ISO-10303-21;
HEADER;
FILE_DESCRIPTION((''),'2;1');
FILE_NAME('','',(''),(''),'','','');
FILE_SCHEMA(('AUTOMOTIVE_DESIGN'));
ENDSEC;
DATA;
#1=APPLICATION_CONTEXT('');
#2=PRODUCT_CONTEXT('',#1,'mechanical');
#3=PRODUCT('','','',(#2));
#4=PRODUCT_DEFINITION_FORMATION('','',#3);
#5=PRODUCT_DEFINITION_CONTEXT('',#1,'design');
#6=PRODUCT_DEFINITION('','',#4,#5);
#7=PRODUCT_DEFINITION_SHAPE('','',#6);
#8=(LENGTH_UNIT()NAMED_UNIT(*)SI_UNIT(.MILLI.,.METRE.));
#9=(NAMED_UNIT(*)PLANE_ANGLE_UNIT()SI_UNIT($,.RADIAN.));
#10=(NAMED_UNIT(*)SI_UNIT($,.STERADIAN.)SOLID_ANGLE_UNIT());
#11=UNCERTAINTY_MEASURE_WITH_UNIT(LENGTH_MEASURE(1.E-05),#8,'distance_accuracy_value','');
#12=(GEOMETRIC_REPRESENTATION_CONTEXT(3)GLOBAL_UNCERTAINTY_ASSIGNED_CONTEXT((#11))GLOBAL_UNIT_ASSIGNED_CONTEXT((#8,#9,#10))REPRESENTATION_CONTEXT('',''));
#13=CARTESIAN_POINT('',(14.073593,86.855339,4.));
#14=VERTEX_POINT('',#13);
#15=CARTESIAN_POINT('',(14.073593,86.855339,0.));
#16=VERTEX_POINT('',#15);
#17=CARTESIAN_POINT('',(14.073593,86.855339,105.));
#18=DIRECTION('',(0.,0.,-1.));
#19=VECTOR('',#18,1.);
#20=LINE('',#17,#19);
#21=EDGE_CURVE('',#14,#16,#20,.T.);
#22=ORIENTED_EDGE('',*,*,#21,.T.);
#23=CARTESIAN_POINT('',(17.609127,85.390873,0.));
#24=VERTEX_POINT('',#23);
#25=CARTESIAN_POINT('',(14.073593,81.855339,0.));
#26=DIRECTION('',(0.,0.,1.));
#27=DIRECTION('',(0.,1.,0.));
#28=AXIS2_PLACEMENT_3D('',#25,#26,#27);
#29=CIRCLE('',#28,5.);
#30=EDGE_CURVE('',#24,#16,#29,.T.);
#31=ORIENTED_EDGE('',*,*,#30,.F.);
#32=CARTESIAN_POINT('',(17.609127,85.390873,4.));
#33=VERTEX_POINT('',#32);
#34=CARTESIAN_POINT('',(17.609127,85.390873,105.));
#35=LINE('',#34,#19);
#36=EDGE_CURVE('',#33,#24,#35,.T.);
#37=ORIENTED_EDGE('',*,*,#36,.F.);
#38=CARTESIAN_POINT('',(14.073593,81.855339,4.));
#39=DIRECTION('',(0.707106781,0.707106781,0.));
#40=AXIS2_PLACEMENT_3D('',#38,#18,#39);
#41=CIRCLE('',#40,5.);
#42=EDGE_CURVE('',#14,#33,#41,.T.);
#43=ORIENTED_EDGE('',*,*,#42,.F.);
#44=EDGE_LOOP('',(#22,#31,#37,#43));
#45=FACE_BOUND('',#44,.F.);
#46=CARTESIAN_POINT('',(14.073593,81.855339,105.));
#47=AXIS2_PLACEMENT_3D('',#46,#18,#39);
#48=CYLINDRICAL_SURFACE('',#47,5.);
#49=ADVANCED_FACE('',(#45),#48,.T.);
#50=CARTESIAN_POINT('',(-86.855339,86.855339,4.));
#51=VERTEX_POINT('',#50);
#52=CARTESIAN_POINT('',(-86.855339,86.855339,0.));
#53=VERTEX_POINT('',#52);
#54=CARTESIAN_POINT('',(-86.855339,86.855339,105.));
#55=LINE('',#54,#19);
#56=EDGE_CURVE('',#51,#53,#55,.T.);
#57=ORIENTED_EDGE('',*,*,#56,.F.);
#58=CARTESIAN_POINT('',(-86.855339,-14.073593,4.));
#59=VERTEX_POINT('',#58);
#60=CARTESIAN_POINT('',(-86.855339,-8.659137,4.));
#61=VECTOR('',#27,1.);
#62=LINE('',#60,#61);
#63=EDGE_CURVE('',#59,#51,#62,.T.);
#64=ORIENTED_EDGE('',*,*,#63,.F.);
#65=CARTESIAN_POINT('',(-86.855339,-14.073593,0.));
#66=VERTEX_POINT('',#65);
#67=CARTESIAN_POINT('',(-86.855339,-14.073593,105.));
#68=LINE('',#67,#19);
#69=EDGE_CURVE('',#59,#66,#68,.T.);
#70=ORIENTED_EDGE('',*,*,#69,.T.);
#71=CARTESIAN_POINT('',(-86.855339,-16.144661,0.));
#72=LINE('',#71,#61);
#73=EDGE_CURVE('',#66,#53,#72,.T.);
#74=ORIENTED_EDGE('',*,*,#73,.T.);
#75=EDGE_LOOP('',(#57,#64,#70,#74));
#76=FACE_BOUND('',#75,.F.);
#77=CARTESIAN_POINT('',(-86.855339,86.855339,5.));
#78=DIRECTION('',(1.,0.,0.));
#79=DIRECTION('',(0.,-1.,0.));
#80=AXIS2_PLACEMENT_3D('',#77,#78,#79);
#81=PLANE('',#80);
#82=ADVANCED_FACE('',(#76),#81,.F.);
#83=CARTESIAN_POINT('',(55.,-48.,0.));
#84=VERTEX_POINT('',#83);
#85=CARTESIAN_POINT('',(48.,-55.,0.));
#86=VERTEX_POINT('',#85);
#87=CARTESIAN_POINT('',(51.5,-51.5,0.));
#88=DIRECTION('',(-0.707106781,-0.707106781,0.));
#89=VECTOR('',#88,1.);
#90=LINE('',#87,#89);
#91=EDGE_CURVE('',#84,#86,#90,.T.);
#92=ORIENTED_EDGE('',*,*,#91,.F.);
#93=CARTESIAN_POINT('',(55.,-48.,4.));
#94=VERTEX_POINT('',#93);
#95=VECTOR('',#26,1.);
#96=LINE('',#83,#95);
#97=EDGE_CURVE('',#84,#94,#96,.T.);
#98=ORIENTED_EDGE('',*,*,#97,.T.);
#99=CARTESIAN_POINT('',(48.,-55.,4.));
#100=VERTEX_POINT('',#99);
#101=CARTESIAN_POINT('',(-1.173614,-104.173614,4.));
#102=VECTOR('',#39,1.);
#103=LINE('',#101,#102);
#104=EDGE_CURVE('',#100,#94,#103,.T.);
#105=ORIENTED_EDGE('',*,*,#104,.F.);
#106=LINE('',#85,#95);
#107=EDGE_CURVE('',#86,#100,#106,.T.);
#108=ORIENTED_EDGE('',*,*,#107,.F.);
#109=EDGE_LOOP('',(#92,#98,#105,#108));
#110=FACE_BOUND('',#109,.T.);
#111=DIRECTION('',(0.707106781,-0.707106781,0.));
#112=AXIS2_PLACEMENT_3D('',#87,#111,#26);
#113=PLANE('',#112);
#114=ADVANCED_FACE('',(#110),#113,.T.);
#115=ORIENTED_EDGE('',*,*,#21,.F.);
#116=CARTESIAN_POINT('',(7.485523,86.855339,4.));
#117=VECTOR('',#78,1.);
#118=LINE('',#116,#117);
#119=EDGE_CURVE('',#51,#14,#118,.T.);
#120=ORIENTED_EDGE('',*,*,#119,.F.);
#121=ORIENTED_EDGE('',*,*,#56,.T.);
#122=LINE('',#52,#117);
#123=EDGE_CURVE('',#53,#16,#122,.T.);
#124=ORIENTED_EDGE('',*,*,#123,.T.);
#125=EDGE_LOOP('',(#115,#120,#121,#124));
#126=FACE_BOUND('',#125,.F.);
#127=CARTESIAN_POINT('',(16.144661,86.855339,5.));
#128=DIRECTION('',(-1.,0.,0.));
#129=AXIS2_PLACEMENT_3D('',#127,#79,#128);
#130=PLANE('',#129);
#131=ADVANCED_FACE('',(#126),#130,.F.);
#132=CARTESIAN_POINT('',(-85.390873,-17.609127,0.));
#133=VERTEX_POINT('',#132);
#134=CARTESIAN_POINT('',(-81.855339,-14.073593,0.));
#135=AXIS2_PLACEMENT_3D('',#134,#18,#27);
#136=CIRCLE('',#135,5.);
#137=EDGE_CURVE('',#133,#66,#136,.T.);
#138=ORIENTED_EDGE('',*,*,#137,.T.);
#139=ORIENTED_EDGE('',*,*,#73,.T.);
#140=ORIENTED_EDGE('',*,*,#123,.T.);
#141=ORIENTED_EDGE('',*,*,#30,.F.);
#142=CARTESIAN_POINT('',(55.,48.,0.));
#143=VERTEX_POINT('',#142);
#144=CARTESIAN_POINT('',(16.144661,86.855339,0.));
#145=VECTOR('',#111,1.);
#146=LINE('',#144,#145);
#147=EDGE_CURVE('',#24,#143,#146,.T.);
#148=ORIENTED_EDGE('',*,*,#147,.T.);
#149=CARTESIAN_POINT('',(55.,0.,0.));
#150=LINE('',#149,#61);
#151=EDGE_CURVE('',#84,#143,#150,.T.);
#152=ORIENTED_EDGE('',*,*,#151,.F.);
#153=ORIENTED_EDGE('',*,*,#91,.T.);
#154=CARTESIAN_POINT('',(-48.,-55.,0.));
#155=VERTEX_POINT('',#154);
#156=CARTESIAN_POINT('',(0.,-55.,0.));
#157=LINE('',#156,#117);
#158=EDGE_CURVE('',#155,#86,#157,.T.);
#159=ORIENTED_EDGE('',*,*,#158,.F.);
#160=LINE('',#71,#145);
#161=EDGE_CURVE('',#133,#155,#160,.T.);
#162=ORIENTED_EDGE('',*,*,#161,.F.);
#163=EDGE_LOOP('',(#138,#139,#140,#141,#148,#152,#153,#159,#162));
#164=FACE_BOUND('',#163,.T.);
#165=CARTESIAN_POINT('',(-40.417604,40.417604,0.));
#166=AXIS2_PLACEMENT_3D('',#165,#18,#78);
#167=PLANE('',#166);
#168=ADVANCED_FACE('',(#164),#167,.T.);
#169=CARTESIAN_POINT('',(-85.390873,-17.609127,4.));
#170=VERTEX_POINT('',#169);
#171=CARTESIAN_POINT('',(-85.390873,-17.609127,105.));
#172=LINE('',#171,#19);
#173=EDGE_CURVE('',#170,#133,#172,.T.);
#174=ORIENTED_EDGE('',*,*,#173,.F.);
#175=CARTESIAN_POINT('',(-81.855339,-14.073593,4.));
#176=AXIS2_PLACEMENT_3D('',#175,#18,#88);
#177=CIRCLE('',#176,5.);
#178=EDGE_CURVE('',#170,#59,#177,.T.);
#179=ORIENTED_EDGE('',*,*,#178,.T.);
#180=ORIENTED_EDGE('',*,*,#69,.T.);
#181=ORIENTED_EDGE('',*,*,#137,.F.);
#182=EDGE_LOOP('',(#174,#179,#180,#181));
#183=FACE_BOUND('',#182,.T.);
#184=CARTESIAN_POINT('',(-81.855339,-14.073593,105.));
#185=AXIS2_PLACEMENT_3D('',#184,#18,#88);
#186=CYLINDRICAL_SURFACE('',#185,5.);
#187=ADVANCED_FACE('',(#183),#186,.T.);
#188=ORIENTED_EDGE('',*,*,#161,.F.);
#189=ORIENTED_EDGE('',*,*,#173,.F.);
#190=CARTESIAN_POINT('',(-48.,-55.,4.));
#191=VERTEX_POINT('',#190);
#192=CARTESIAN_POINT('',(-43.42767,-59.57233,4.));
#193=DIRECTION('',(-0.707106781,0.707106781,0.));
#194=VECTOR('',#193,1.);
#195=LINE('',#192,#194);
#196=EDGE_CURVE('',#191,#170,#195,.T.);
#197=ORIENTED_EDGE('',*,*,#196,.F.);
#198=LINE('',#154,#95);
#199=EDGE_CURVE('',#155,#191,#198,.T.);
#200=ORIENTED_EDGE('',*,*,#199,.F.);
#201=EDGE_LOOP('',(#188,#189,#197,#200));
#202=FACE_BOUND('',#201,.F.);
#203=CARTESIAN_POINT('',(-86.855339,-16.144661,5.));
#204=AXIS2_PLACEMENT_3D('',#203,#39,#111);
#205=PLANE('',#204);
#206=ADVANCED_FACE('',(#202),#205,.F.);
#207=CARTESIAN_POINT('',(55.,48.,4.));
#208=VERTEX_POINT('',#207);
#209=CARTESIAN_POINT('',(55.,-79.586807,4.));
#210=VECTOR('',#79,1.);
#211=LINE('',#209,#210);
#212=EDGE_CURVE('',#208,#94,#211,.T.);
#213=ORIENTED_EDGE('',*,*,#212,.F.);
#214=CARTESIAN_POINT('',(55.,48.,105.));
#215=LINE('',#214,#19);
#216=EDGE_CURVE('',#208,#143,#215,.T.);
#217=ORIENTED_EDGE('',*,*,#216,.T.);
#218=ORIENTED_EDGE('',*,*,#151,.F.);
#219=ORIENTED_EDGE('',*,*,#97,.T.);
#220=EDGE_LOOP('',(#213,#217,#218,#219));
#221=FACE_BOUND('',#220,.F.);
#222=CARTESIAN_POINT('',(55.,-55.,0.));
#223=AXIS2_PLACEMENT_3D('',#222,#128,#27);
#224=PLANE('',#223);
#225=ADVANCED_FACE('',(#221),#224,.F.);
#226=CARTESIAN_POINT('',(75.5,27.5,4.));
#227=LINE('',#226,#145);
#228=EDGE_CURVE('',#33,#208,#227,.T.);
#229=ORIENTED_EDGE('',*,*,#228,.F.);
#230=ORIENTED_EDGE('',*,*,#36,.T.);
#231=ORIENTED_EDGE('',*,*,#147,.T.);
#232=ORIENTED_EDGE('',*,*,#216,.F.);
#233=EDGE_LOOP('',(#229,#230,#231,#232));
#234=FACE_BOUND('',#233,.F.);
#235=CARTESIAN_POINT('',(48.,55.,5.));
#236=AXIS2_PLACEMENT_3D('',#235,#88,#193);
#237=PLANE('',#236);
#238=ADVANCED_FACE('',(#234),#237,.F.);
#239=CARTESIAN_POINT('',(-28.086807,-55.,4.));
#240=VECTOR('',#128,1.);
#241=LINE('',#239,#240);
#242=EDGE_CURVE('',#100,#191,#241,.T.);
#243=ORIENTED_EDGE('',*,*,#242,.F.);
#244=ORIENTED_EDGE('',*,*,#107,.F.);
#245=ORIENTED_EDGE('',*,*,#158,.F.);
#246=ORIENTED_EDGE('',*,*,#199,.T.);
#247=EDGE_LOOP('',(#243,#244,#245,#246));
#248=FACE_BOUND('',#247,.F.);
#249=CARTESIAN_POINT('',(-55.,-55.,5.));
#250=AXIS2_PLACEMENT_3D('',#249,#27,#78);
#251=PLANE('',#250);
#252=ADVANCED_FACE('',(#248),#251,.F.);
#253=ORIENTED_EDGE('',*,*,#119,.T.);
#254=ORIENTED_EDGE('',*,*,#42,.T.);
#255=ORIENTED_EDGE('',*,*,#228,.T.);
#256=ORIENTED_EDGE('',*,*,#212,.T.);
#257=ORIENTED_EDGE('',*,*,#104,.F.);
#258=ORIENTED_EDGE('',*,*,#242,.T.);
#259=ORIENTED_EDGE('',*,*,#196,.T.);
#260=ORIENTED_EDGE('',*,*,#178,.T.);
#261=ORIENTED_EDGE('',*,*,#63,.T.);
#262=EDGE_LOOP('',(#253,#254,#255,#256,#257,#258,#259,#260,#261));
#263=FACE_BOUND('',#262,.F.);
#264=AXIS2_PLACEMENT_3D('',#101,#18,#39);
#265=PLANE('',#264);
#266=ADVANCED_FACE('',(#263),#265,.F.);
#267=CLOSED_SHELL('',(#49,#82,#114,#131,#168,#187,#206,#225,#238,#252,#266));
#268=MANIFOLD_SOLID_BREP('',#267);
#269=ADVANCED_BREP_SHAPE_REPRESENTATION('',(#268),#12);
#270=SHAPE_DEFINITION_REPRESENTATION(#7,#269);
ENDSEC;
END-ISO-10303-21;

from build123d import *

# Parameters (mm, degrees)
F0_W      = 110
F0_H      = 110
F1_DEPTH  = 5
F3_DEPTH  = 100
F4_SIZE   = 7
F6_DEPTH  = 5
F8_DEPTH  = 100
F9_R      = 3
F10_R     = 3
F11_R     = 5
F12_R     = 40
F13_DEPTH = 2
F14_R     = 40
F15_DEPTH = 2
F17_DEPTH = 200


with BuildPart() as f1:
    # F0 (on Top) → F1 (new body)
    with BuildSketch(Plane.XY):
        Rectangle(F0_W, F0_H)
    extrude(amount=F1_DEPTH)

    # F2 (on face) → F3 (join)
    with BuildSketch(Plane.XY.offset(5)):
        Polygon((-55, -45), (-55, -55), (-45, -55), (-45, -50), (-50, -50), (-50, -45), align=None)
        Polygon((45, -50), (45, -55), (55, -55), (55, -45), (50, -45), (50, -50), align=None)
        Polygon((50, 45), (55, 45), (55, 55), (45, 55), (45, 50), (50, 50), align=None)
        Polygon((-55, 45), (-50, 45), (-50, 50), (-45, 50), (-45, 55), (-55, 55), align=None)
    extrude(amount=F3_DEPTH)

    # F4
    f4_edges = [f1.edges().sort_by_distance(p)[0] for p in [
        (55, -55, 52.5),
        (55, 55, 52.5),
        (-55, -55, 52.5),
        (-55, 55, 52.5),
    ]]
    chamfer(f4_edges, length=F4_SIZE)

    # F5 (on face) → F6 (join)
    with BuildSketch(Plane(origin=(0, 0, 0), x_dir=(1, 0, 0), z_dir=(0, 0, -1))):
        Polygon((-55, -48), (-55, 48), (-86.8553390593, 16.1446609407), (-86.8553390593, -86.8553390593), (16.1446609407, -86.8553390593), (48, -55), (-48, -55), align=None)
    extrude(amount=-F6_DEPTH)

    # F7 (on face) → F8 (join)
    with BuildSketch(Plane.XY.offset(5)):
        with BuildLine():
            Line((-86.8553390593, -16.1446609407), (-55, -48))
            Line((-55, -48), (-55, -45))
            add(Edge.make_bspline(
                [(-55, -45), (-61.680716385, -38.545717713), (-73.8128115293, -26.9133031572), (-84.5587400556, -12.5278182858), (-85.5100929907, -5.3594725865), (-85.6892368288, -2.2746161558)],
                knots=[0, 0, 0, 0, 0.4166944434, 0.7503780711, 1, 1, 1, 1], degree=3))
            Line((-85.6892368288, -2.2746161558), (-85.6892368288, 84.628576657))
            Line((-85.6892368288, 84.628576657), (-52.0303300859, 50.9696699141))
            Line((-52.0303300859, 50.9696699141), (-50.9696699141, 52.0303300859))
            Line((-50.9696699141, 52.0303300859), (-84.628576657, 85.6892368288))
            Line((-84.628576657, 85.6892368288), (2.2746161558, 85.6892368288))
            add(Edge.make_bspline(
                [(45, 55), (38.545717713, 61.680716385), (26.9133031572, 73.8128115293), (12.5278182858, 84.5587400556), (5.3594725865, 85.5100929907), (2.2746161558, 85.6892368288)],
                knots=[0, 0, 0, 0, 0.4166944434, 0.7503780711, 1, 1, 1, 1], degree=3))
            Line((45, 55), (48, 55))
            Line((48, 55), (16.1446609407, 86.8553390593))
            Line((16.1446609407, 86.8553390593), (-86.8553390593, 86.8553390593))
            Line((-86.8553390593, 86.8553390593), (-86.8553390593, -16.1446609407))
        make_face()
    extrude(amount=F8_DEPTH)

    # F9
    f9_edges = [f1.edges().sort_by_distance(p)[0] for p in [
        (-50.96967, 52.03033, 55),
        (-52.03033, 50.96967, 55),
    ]]
    fillet(f9_edges, radius=F9_R)

    # F10
    f10_edges = [f1.edges().sort_by_distance(p)[0] for p in [
        (45, 55, 55),
        (-55, -45, 55),
        (-85.689237, 84.628577, 55),
        (-84.628577, 85.689237, 55),
    ]]
    fillet(f10_edges, radius=F10_R)

    # F11
    f11_edges = [f1.edges().sort_by_distance(p)[0] for p in [
        (-86.855339, -16.144661, 52.5),
        (16.144661, 86.855339, 52.5),
    ]]
    fillet(f11_edges, radius=F11_R)

    # F12 (on face) → F13 (cut)
    with BuildSketch(Plane(origin=(0, 86.8553390593, 0), x_dir=(-1, 0, 0), z_dir=(0, 1, 0))):
        with Locations((36.3908729653, 52.5)):
            Circle(F12_R)
    extrude(amount=-F13_DEPTH, mode=Mode.SUBTRACT)

    # F14 (on face) → F15 (cut)
    with BuildSketch(Plane(origin=(-86.8553390593, 0, 0), x_dir=(0, -1, 0), z_dir=(-1, 0, 0))):
        with Locations((-36.3908729653, 52.5)):
            Circle(F14_R)
    extrude(amount=-F15_DEPTH, mode=Mode.SUBTRACT)

    # F16 (on face) → F17 (cut)
    with BuildSketch(Plane(origin=(51.5, -51.5, 0), x_dir=(0.7071067812, 0.7071067812, 0), z_dir=(0.7071067812, -0.7071067812, 0))):
        Polygon((0, 105), (-74.4917392731, 105), (-74.4917392731, 4), (75.3377377987, 4), (75.3377377987, 105), (4.9497474683, 105), align=None)
    extrude(amount=-F17_DEPTH, mode=Mode.SUBTRACT)


solid = f1.part
